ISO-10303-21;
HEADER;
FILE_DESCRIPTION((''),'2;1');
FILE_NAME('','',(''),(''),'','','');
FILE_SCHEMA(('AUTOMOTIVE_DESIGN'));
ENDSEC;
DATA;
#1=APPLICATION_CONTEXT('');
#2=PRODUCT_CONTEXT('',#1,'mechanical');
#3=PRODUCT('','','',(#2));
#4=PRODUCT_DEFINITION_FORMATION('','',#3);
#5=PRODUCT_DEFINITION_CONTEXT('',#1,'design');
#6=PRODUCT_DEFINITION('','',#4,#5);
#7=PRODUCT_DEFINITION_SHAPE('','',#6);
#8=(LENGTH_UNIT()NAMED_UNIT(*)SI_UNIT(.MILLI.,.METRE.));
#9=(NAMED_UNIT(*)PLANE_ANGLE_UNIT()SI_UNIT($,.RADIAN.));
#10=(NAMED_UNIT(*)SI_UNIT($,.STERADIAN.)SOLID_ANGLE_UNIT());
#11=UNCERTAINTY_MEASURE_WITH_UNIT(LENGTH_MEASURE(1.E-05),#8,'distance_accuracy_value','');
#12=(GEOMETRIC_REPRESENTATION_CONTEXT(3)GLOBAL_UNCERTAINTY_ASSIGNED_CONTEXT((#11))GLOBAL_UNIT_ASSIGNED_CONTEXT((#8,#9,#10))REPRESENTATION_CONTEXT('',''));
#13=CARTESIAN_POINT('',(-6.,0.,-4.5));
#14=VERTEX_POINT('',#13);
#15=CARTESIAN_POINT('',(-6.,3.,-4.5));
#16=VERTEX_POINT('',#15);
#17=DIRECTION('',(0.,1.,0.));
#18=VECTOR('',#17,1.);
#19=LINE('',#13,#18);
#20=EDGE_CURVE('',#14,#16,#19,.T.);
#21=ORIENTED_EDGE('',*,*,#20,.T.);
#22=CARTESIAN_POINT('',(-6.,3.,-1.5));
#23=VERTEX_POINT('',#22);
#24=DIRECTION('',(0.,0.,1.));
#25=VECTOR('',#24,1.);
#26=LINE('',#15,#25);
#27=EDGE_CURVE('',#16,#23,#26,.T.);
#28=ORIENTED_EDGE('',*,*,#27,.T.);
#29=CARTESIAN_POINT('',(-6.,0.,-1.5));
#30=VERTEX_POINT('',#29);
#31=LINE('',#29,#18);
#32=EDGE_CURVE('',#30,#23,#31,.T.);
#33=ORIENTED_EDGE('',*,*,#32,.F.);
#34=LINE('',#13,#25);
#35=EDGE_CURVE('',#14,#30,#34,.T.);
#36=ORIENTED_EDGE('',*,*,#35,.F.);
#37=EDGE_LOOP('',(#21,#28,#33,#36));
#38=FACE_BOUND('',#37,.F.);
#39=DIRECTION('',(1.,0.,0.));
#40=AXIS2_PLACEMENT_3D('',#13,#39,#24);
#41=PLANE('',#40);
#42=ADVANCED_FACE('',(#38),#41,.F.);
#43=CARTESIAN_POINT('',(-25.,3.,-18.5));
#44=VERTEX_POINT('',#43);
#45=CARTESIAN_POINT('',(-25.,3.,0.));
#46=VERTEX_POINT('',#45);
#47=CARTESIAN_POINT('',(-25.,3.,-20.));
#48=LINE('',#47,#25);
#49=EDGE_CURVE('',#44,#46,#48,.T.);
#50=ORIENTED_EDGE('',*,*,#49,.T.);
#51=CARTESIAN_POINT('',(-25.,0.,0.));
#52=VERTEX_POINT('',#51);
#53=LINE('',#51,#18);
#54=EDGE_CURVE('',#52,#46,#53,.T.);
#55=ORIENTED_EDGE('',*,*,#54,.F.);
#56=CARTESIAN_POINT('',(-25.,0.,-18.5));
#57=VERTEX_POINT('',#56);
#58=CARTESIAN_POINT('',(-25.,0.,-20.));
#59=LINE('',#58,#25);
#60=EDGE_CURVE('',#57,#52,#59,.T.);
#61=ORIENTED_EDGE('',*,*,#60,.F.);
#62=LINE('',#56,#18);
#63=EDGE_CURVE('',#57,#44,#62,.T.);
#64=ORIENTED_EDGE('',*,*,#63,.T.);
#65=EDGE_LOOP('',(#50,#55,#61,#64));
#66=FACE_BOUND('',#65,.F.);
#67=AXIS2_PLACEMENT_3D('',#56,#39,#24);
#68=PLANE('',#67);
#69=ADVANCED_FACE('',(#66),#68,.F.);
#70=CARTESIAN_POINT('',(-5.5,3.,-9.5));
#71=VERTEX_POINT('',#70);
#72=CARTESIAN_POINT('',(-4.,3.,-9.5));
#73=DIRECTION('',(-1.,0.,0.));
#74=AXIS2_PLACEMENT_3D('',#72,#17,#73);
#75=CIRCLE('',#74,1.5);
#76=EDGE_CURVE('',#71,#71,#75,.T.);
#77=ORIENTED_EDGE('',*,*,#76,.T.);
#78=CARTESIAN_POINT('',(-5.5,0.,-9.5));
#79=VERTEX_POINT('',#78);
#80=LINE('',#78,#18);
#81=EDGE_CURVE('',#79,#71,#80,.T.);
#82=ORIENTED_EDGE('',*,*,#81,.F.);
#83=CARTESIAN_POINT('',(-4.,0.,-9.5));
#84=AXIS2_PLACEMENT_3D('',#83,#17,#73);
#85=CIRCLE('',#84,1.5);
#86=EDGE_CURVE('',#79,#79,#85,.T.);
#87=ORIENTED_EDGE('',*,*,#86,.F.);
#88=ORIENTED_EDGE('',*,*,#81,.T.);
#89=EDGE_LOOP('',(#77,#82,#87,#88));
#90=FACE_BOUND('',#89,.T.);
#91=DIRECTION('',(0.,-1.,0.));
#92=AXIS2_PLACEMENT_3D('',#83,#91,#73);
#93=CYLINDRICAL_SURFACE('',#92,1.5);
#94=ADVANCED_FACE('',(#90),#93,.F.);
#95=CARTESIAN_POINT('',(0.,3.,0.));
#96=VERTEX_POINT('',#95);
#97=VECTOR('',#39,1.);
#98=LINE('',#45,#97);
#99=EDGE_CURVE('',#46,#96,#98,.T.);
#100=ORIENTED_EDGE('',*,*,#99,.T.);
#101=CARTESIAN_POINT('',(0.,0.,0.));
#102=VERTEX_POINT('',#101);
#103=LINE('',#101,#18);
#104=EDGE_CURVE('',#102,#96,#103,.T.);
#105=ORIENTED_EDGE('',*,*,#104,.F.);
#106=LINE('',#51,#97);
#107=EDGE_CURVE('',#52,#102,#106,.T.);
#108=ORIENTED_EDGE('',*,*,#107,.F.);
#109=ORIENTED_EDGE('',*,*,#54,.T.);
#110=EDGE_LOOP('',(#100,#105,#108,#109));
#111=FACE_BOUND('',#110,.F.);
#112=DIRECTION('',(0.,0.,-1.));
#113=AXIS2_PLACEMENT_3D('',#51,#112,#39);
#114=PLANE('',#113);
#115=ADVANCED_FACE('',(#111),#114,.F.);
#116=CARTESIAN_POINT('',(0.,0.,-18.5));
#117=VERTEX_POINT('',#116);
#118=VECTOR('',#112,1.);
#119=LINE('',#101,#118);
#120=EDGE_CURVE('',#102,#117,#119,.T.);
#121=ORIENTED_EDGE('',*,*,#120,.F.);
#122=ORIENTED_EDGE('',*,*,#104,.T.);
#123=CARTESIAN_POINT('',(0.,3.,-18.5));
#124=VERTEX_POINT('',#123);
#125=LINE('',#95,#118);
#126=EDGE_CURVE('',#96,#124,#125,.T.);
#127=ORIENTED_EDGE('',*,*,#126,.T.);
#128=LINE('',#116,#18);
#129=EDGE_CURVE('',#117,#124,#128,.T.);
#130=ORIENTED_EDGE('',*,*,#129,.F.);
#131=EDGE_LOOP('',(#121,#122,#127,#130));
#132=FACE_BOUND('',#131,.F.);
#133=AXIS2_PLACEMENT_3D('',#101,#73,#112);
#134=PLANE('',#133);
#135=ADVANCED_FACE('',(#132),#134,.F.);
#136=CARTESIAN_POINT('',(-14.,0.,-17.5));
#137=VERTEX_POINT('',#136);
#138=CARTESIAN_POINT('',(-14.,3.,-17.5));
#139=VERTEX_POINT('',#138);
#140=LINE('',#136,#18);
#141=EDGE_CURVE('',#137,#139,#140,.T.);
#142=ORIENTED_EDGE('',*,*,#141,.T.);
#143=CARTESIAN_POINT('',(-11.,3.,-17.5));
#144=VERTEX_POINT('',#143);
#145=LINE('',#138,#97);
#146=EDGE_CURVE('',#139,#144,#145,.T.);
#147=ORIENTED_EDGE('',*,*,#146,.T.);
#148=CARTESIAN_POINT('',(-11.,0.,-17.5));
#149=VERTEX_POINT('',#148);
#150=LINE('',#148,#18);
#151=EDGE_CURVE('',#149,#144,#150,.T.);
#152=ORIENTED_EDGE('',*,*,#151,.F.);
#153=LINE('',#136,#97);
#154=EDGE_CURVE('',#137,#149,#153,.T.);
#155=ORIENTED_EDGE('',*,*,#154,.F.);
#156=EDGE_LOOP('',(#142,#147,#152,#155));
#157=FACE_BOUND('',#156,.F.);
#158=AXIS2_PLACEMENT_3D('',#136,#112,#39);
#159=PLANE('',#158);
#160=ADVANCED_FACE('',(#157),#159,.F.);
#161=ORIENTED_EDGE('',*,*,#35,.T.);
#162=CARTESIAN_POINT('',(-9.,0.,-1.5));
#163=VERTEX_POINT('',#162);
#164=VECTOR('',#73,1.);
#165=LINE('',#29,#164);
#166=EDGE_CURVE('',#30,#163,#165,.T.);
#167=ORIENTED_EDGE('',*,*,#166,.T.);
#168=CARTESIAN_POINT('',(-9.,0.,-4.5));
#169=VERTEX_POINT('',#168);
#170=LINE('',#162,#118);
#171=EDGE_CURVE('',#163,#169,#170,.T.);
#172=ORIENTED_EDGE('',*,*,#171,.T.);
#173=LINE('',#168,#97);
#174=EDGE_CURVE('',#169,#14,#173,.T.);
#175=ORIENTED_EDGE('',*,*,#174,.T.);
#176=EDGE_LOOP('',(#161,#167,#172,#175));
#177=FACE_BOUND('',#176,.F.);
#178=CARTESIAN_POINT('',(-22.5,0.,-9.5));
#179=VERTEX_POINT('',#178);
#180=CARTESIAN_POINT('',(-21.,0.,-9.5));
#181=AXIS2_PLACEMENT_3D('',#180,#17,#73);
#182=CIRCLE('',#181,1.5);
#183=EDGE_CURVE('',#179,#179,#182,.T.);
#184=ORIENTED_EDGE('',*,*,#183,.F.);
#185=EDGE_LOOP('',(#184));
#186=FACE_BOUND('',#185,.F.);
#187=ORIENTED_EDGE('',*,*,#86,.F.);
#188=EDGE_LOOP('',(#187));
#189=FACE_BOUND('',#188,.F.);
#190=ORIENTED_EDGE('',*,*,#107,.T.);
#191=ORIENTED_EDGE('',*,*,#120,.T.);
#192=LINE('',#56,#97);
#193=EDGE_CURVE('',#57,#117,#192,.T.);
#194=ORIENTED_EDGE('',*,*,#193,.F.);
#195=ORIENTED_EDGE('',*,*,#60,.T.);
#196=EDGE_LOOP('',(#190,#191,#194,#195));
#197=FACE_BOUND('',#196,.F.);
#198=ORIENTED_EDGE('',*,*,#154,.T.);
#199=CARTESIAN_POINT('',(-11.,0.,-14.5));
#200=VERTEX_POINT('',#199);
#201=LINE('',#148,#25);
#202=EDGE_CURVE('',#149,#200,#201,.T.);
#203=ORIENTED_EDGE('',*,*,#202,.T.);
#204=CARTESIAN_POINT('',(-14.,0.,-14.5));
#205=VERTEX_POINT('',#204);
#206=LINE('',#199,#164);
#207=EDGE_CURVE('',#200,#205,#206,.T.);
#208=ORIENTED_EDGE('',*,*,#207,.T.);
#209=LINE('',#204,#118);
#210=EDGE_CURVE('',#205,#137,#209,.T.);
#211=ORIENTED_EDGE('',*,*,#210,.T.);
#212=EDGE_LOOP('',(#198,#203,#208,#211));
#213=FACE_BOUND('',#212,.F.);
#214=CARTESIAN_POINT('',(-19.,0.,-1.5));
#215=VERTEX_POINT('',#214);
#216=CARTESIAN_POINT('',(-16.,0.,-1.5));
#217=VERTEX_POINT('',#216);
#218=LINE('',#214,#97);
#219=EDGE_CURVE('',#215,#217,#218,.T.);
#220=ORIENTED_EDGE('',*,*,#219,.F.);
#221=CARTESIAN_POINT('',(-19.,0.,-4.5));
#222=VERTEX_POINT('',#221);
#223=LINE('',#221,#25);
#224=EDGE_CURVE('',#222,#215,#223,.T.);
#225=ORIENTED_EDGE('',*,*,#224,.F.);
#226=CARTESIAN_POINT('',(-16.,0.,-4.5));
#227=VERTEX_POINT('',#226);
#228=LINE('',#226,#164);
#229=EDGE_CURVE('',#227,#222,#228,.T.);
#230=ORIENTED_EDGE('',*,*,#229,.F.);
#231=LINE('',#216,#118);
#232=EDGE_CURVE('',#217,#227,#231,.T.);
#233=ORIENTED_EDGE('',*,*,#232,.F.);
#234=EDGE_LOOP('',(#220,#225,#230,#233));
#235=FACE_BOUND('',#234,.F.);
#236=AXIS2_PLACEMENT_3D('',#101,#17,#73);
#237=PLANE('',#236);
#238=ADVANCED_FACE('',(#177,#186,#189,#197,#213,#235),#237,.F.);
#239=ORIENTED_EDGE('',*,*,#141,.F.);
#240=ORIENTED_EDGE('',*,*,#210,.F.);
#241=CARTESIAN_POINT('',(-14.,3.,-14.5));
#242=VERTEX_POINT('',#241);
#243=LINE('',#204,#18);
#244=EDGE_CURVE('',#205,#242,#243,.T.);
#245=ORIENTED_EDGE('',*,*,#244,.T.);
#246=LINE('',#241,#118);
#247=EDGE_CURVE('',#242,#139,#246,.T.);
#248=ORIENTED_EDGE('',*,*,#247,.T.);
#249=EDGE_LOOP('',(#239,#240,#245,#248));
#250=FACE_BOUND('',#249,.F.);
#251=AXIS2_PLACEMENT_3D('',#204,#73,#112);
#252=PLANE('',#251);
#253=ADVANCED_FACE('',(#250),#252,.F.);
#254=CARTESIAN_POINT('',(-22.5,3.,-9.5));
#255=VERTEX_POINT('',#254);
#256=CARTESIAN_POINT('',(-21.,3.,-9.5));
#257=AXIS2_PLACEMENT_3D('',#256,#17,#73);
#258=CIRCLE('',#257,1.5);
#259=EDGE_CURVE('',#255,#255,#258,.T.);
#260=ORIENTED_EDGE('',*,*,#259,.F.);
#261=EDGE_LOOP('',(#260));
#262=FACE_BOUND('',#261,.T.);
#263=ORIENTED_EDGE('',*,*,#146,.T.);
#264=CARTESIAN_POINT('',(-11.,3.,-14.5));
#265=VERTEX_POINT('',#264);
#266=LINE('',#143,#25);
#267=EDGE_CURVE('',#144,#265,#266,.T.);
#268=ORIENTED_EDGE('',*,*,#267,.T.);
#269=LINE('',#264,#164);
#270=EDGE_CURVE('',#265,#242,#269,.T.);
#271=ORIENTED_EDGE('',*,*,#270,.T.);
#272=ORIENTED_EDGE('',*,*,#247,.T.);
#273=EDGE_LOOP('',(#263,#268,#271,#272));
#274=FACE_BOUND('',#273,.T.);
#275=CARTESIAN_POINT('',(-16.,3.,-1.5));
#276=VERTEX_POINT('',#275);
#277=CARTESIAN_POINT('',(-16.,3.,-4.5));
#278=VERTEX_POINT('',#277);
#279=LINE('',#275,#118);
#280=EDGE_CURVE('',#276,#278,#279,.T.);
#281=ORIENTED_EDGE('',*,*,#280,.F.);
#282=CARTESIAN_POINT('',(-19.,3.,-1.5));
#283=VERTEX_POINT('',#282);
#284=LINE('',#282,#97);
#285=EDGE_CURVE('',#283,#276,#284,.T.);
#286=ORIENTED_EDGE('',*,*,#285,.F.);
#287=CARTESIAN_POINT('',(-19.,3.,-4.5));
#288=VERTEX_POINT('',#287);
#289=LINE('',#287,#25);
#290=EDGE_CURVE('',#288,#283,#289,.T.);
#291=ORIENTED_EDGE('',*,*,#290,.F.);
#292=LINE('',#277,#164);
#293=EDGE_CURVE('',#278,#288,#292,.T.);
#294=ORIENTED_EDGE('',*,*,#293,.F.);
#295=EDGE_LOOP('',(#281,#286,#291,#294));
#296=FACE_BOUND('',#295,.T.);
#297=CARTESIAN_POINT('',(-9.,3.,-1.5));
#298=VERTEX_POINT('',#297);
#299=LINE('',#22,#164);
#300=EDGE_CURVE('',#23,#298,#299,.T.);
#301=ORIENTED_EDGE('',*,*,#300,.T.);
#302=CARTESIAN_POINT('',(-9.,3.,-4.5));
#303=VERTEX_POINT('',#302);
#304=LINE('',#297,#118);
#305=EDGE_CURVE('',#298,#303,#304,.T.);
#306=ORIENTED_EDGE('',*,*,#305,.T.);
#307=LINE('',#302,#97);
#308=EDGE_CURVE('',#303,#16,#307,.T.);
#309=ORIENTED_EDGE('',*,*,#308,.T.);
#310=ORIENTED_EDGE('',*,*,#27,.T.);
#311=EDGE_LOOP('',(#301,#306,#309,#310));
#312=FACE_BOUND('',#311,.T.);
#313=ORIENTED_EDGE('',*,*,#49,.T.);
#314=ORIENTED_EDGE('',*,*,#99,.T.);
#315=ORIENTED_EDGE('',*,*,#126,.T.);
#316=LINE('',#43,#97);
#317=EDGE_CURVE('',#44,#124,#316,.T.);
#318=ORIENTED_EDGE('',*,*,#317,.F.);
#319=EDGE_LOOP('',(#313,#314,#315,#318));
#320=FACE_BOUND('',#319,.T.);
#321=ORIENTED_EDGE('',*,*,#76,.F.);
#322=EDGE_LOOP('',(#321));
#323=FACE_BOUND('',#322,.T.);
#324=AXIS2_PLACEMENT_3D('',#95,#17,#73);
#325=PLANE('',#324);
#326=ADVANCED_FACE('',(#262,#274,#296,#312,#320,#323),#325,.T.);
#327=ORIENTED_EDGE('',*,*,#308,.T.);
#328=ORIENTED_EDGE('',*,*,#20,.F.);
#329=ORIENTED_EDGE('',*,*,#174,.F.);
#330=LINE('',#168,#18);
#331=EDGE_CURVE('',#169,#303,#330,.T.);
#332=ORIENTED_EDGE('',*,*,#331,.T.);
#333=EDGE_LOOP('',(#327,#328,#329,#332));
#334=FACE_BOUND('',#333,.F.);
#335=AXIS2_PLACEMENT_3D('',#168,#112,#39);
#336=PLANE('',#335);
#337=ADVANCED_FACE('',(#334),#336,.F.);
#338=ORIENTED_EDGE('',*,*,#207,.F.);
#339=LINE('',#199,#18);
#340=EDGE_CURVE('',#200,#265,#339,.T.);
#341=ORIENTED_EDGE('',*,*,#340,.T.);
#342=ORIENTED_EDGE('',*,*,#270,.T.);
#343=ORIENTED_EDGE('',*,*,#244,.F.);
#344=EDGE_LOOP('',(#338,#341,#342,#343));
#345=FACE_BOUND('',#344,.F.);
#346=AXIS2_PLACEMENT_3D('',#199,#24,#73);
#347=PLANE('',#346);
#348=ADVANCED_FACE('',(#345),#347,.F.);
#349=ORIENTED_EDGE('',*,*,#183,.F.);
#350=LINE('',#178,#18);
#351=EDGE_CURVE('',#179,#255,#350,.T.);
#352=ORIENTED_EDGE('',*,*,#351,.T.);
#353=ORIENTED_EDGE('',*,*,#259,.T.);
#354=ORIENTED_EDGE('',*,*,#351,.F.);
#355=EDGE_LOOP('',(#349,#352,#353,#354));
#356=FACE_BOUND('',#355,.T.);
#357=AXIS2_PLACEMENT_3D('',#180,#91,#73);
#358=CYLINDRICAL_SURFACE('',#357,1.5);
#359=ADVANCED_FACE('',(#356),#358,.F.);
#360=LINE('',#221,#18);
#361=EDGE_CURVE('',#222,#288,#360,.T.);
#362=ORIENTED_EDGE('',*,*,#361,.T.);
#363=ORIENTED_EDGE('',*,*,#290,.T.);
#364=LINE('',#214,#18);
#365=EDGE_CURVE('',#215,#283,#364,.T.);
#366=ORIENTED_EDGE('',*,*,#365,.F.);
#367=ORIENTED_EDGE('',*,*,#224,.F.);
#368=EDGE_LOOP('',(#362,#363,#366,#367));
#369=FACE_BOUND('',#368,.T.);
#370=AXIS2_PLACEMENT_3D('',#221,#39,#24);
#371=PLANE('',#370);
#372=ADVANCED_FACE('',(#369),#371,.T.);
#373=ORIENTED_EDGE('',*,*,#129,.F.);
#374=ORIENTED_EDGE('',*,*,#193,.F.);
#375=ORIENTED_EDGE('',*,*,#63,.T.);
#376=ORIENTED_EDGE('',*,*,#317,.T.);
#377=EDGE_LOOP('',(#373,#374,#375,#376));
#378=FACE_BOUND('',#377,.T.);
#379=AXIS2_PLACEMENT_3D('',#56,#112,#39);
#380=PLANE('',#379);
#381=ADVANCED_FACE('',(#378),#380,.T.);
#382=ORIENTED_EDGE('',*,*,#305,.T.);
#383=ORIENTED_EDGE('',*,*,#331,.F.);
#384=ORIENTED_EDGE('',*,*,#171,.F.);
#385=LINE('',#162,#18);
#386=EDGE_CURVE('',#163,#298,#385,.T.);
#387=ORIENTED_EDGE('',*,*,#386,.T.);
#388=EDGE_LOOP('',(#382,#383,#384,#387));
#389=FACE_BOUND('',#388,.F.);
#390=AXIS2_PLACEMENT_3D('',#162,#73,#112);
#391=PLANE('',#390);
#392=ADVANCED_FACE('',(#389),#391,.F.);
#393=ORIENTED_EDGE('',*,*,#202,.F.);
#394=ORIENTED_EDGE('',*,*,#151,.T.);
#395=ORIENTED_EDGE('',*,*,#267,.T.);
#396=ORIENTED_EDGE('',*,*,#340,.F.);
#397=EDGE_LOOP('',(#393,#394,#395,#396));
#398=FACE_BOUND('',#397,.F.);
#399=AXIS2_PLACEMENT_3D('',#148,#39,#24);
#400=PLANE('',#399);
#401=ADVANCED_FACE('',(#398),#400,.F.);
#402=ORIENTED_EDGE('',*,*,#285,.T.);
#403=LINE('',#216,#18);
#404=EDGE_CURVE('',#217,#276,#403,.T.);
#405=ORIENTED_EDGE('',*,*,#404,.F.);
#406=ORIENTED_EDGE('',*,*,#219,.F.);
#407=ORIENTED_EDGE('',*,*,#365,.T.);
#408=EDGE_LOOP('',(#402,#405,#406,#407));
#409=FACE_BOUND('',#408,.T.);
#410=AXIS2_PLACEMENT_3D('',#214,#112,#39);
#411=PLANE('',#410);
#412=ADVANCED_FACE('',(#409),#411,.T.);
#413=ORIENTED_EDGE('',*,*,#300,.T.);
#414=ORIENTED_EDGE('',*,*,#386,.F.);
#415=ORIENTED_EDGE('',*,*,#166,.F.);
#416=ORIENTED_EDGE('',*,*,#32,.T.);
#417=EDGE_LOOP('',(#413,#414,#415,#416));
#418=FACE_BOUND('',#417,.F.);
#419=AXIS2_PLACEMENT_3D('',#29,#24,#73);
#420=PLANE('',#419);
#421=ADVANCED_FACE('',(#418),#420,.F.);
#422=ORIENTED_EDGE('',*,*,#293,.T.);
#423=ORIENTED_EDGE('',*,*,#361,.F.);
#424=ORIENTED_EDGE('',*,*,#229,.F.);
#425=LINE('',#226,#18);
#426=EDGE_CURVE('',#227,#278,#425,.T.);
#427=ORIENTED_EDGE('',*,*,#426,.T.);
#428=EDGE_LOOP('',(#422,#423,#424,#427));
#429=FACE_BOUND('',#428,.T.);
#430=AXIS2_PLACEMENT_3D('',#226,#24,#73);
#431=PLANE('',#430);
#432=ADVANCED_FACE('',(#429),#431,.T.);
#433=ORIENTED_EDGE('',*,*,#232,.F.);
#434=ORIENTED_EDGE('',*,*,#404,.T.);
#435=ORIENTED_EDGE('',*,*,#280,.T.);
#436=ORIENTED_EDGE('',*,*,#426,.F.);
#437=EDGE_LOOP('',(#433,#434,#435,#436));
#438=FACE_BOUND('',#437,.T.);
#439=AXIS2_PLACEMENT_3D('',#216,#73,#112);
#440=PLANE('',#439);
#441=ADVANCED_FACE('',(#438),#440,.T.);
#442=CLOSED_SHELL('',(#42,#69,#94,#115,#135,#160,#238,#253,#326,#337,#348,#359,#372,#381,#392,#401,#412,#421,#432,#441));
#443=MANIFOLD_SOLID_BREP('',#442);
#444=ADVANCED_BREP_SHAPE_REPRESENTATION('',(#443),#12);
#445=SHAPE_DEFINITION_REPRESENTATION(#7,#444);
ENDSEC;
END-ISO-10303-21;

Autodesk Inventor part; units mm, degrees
ref_plane "YZ Plane" through (0, 0, 0) normal (1, 0, 0) x (0, 1, 0)
ref_plane "XZ Plane" through (0, 0, 0) normal (0, 1, 0) x (-1, 0, 0)
ref_plane "XY Plane" through (0, 0, 0) normal (0, 0, 1) x (1, 0, 0)
sketch "草圖1" plane through (0, 0, 0) normal (0, 1, 0) x (-1, 0, 0)
  line L0 (25, 0) -> (0, 0)
  line L1 (0, 0) -> (0, -20)
  line L2 (0, -20) -> (25, -20)
  line L3 (25, -20) -> (25, 0)
  line L4 (6.5, -14.5) -> (18.5, -14.5) construction
  line L5 (5.5, -17.5) -> (8.5, -17.5)
  line L6 (8.5, -17.5) -> (8.5, -14.5)
  line L7 (8.5, -14.5) -> (5.5, -14.5)
  line L8 (5.5, -14.5) -> (5.5, -17.5)
  line L9 (9, -4.5) -> (16, -4.5) construction
  line L10 (9, -4.5) -> (6, -4.5)
  line L11 (6, -4.5) -> (6, -1.5)
  line L12 (6, -1.5) -> (9, -1.5)
  line L13 (9, -1.5) -> (9, -4.5)
  line L14 (16, -4.5) -> (19, -4.5)
  line L15 (19, -4.5) -> (19, -1.5)
  line L16 (19, -1.5) -> (16, -1.5)
  line L17 (16, -1.5) -> (16, -4.5)
  line L18 (16.5, -17.5) -> (19.5, -17.5)
  line L19 (19.5, -17.5) -> (19.5, -14.5)
  line L20 (19.5, -14.5) -> (16.5, -14.5)
  line L21 (16.5, -14.5) -> (16.5, -17.5)
  circle A0 centre (4, -9.5) radius 1.5
  circle A1 centre (21, -9.5) radius 1.5
  line L22 (11, -14.5) -> (14, -14.5)
  line L23 (14, -14.5) -> (14, -17.5)
  line L24 (14, -17.5) -> (11, -17.5)
  line L25 (11, -17.5) -> (11, -14.5)
  line L26 (25, -18.5) -> (0, -18.5)
  point P0 (19, 16.3854)
  point P1 (12.5, -17.5)
  point P2 (12.5, -14.5)
  dimension "d0" = 25
  dimension "d1" = 20
  dimension "d2" = 3
  dimension "d3" = 3
  dimension "d4" = 0
  dimension "d5" = 10
  dimension "d6" = 3
  dimension "d7" = 3
  dimension "d8" = 3
  dimension "d9" = 3
  dimension "d10" = 3
  dimension "d11" = 3
  dimension "d12" = 3
  dimension "d13" = 5
  dimension "d14" = 5
  dimension "d15" = 8
  dimension "d16" = 2.5
  dimension "d18" = 7
  dimension "d22" = 5.5
  dimension "d23" = 5.5
  dimension "d24" = 6
  dimension "d25" = 3
  dimension "d26" = 3
  dimension "d27" = 1
extrude "擠出1" add sketch "草圖1" along normal blind 3 contours L3 L26 L1 L0 | L8 L7 L6 L5 | L21 L20 L19 L18
sketch "草圖2" plane through (0, 3, 0) normal (0, 1, 0) x (1, 0, 0)
  line L0 (0, 0) -> (0, 18.5) projected
  line L1 (-25, 18.5) -> (-25, 0) projected
  line L2 (-25, 0) -> (0, 0) projected
  circle A0 centre (-21, 9.5) radius 1.5 projected
  circle A1 centre (-4, 9.5) radius 1.5 projected
  line L3 (-11, 14.5) -> (-14, 14.5) projected
  line L4 (-14, 14.5) -> (-14, 17.5) projected
  line L5 (-14, 17.5) -> (-11, 17.5) projected
  line L6 (-11, 17.5) -> (-11, 14.5) projected
  line L7 (-9, 1.5) -> (-9, 4.5) projected
  line L8 (-9, 4.5) -> (-6, 4.5) projected
  line L9 (-6, 4.5) -> (-6, 1.5) projected
  line L10 (-6, 1.5) -> (-9, 1.5) projected
  line L11 (-16, 4.5) -> (-16, 1.5) projected
  line L12 (-16, 1.5) -> (-19, 1.5) projected
  line L13 (-19, 1.5) -> (-19, 4.5) projected
  line L14 (-19, 4.5) -> (-16, 4.5) projected
  line L15 (0, 18.5) -> (-25, 18.5) projected
properties part number "motorbase_3"
